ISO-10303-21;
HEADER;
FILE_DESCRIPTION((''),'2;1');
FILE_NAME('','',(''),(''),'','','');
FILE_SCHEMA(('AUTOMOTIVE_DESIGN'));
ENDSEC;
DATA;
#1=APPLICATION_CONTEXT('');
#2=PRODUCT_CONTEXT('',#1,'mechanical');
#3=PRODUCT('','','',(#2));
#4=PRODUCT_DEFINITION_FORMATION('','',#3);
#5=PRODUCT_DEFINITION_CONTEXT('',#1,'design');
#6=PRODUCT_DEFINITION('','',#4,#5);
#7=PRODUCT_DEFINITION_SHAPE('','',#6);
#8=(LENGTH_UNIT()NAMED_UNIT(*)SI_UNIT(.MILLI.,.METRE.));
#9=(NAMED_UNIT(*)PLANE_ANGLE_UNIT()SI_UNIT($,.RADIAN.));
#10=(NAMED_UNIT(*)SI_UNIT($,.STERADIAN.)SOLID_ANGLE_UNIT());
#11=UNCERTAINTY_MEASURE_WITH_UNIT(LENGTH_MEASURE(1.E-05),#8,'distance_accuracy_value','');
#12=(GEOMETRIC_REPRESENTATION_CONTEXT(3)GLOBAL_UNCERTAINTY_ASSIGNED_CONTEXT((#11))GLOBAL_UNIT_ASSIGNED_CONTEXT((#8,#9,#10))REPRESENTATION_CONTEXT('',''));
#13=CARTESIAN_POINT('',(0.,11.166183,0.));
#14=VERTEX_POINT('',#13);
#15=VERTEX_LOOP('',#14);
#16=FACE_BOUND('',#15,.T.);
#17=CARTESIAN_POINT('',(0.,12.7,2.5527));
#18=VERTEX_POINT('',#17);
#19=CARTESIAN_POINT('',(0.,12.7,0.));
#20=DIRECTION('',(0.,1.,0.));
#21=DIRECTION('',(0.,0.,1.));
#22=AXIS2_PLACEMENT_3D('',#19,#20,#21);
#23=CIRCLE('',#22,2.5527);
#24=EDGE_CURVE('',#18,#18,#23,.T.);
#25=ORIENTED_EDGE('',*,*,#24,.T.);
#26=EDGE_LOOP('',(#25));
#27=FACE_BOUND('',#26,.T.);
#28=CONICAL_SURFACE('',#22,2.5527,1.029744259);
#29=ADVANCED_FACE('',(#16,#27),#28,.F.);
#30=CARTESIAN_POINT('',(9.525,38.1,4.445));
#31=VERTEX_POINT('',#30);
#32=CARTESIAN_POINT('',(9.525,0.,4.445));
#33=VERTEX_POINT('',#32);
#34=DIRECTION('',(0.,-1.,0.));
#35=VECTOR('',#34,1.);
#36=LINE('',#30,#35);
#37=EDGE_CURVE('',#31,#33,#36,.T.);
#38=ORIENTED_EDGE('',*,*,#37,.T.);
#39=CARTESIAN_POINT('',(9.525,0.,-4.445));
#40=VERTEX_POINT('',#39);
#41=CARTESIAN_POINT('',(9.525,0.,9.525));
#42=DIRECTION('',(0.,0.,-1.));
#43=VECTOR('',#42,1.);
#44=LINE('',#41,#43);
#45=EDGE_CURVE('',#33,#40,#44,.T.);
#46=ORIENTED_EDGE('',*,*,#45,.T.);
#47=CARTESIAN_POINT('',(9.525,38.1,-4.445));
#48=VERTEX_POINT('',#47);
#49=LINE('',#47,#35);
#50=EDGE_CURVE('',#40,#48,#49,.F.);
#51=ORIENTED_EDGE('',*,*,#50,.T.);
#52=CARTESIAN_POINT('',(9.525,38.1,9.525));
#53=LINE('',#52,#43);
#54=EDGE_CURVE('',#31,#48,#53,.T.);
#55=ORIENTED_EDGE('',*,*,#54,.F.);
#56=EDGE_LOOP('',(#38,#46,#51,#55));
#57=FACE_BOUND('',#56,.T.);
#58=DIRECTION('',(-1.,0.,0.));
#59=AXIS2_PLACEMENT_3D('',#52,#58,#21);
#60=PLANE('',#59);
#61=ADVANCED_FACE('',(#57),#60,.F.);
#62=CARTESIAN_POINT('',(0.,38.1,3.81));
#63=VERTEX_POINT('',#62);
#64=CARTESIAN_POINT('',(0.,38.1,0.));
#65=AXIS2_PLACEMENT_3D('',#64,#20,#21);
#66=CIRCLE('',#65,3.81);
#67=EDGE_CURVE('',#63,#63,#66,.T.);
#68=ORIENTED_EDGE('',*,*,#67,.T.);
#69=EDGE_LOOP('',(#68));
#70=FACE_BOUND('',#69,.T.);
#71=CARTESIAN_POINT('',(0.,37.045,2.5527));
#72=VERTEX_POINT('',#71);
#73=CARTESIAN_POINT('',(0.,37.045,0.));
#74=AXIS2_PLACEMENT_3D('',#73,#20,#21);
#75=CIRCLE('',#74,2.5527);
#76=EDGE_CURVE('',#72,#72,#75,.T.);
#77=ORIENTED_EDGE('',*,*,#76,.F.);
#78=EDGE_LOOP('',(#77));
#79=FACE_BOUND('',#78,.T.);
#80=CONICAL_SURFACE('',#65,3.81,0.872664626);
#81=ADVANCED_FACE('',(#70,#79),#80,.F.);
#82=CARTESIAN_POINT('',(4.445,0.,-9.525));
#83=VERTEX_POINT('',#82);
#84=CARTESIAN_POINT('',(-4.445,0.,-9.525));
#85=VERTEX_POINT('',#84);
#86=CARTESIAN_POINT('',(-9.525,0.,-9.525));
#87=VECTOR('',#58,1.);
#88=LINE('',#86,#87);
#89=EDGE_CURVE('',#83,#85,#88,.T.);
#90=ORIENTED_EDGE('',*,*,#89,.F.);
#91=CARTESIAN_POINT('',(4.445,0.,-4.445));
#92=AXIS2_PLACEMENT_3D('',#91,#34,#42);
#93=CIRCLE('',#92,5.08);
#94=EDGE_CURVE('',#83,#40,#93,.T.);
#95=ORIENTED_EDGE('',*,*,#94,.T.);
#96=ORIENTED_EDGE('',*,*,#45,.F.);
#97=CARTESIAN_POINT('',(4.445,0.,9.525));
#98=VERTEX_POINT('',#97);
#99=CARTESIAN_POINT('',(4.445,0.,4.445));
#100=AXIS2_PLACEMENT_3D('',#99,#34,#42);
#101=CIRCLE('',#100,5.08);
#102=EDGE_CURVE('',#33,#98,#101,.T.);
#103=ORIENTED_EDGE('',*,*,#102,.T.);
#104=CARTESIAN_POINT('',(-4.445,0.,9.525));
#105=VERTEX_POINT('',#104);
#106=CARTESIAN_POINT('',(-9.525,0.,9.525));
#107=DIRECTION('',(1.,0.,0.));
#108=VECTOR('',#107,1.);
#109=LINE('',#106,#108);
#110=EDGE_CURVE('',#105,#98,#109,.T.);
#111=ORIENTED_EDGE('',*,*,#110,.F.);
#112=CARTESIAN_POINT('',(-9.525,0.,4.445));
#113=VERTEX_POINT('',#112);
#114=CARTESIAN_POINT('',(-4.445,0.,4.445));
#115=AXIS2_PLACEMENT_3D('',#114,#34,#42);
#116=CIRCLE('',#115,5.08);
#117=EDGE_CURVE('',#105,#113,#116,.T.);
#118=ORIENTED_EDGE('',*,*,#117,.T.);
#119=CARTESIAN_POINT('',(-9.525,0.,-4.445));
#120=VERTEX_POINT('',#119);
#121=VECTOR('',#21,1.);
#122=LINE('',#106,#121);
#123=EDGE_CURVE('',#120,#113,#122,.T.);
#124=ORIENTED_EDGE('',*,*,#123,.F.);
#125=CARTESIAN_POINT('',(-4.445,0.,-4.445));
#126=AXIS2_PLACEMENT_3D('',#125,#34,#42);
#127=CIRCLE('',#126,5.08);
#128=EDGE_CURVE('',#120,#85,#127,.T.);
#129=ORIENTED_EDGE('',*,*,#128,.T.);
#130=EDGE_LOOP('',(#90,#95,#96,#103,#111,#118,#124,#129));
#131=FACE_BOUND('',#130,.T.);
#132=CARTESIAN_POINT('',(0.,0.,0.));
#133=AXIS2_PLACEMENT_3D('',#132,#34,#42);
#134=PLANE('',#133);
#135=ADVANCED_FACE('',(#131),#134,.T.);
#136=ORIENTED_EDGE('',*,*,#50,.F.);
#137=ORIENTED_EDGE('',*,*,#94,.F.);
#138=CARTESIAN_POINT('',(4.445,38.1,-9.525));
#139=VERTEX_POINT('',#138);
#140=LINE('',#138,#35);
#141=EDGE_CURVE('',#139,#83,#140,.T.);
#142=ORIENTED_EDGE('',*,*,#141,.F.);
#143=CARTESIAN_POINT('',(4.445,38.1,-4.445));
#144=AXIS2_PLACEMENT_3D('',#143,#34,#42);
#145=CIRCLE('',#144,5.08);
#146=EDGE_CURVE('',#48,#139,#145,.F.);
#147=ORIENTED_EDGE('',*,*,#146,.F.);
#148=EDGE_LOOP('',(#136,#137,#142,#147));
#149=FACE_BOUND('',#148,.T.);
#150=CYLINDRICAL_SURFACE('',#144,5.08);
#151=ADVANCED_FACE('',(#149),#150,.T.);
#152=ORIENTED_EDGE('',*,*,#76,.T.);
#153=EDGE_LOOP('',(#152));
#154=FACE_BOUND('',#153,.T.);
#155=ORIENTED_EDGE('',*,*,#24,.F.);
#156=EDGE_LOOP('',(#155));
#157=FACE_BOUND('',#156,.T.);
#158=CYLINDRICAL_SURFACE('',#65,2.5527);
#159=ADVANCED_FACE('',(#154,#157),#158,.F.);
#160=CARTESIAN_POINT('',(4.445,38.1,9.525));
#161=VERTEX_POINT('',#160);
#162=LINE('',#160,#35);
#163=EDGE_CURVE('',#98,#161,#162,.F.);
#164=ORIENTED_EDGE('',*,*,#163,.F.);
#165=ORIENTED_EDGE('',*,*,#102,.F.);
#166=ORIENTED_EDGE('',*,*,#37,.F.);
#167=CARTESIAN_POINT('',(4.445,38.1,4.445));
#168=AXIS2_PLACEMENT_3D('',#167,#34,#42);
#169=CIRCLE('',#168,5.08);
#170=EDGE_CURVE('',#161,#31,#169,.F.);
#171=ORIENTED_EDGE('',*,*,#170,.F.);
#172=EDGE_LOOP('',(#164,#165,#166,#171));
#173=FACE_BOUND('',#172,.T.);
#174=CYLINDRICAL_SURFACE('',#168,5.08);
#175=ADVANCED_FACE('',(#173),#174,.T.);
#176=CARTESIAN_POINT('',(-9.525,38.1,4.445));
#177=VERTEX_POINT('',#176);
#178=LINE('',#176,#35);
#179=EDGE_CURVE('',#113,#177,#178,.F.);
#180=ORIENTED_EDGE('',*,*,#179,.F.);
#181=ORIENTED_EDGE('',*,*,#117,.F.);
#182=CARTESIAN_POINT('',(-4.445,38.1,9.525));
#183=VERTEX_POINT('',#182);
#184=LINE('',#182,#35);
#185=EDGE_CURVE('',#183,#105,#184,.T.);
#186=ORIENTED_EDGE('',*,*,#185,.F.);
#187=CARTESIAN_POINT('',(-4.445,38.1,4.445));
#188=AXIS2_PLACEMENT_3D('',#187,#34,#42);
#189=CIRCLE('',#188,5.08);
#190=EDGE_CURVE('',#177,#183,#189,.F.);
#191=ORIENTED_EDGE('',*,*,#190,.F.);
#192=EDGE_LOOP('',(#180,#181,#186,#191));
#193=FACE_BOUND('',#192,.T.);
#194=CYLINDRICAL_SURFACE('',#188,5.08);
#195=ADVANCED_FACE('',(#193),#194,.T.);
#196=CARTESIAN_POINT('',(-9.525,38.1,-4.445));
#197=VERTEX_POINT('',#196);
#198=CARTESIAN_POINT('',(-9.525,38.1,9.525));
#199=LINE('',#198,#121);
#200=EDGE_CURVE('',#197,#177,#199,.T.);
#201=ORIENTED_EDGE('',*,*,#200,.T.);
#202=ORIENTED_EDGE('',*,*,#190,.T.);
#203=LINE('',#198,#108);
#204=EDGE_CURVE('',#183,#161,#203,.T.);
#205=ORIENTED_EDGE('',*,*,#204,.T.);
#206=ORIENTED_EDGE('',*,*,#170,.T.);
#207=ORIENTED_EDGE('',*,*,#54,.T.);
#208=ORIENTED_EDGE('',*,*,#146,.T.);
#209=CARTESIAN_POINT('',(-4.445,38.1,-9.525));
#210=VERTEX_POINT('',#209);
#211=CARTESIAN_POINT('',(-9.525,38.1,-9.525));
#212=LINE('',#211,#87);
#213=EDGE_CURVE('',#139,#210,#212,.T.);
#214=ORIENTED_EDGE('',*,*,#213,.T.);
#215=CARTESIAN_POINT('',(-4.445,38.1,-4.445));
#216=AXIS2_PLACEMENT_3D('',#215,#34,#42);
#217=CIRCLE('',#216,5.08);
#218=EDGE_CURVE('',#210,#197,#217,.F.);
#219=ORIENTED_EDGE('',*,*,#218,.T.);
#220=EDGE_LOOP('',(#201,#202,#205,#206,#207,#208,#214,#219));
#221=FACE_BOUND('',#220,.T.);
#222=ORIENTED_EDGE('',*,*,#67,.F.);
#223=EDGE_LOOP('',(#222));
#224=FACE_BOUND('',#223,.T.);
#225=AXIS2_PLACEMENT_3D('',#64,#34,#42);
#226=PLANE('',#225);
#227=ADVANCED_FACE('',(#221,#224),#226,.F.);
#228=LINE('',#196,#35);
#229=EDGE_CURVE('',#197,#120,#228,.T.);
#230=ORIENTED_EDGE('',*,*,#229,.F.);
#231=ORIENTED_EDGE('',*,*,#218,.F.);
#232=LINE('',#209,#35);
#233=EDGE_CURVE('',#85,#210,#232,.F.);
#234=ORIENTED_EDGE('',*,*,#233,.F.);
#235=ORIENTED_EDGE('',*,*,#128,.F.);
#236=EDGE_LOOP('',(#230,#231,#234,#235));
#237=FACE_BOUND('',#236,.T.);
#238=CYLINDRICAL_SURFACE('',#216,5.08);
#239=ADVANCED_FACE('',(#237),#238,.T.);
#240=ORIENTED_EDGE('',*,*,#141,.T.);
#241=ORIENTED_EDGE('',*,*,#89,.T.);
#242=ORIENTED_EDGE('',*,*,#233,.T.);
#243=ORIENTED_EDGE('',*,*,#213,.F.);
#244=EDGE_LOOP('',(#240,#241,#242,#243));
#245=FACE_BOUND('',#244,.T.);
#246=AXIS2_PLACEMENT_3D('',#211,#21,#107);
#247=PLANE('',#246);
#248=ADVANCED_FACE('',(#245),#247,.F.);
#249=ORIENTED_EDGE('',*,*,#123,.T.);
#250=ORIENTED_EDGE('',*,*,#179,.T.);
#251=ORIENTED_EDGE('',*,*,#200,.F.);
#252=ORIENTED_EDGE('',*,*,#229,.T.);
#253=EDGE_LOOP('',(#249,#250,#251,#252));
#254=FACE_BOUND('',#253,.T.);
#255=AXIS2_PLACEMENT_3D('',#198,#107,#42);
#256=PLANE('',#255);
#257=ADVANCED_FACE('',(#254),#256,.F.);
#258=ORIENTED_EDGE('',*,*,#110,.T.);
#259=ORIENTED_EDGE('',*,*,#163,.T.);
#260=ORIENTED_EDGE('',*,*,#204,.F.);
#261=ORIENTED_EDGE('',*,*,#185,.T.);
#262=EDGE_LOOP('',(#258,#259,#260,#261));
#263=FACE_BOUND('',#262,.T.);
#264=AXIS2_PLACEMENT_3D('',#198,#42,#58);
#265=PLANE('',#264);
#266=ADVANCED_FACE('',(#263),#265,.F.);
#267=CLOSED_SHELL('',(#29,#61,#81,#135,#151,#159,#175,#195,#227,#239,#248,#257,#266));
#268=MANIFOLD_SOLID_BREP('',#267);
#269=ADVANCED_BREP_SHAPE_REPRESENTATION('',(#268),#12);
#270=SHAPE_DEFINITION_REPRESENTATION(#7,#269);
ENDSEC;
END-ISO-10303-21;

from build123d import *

# Parameters (mm, degrees)
SKETCH1_W                         = 19.05
SKETCH1_H                         = 19.05
BOSS_EXTRUDE1_DEPTH               = 38.1
F_1_4_20_TAPPED_HOLE1_D           = 5.1054
F_1_4_20_TAPPED_HOLE1_DEPTH       = 25.4
F_1_4_20_TAPPED_HOLE1_CSINK_D     = 7.62
F_1_4_20_TAPPED_HOLE1_CSINK_ANGLE = 100
F_1_4_20_TAPPED_HOLE1_TIP         = 1.533816902
FILLET1_R                         = 5.08


with BuildPart() as part:
    # Sketch1 → Boss-Extrude1 (new body)
    with BuildSketch(Plane(origin=(0, 0, 0), x_dir=(1, 0, 0), z_dir=(0, 1, 0))):
        Rectangle(SKETCH1_W, SKETCH1_H)
    extrude(amount=BOSS_EXTRUDE1_DEPTH)

    # 1/4-20 Tapped Hole1
    with Locations(Plane(origin=(0, 38.1, 0), x_dir=(1, 0, 0), z_dir=(0, 1, 0))):
        with Locations((0, 0)):
            CounterSinkHole(F_1_4_20_TAPPED_HOLE1_D / 2, F_1_4_20_TAPPED_HOLE1_CSINK_D / 2, depth=F_1_4_20_TAPPED_HOLE1_DEPTH, counter_sink_angle=F_1_4_20_TAPPED_HOLE1_CSINK_ANGLE)
            with Locations((0, 0, -(F_1_4_20_TAPPED_HOLE1_DEPTH + F_1_4_20_TAPPED_HOLE1_TIP / 2))):  # 118° drill point
                Cone(0, F_1_4_20_TAPPED_HOLE1_D / 2, F_1_4_20_TAPPED_HOLE1_TIP, mode=Mode.SUBTRACT)

    # Fillet1
    fillet1_edges = [part.edges().sort_by_distance(p)[0] for p in [
        (9.525, 19.05, 9.525),
        (-9.525, 19.05, 9.525),
        (-9.525, 19.05, -9.525),
        (9.525, 19.05, -9.525),
    ]]
    fillet(fillet1_edges, radius=FILLET1_R)


solid = part.part
